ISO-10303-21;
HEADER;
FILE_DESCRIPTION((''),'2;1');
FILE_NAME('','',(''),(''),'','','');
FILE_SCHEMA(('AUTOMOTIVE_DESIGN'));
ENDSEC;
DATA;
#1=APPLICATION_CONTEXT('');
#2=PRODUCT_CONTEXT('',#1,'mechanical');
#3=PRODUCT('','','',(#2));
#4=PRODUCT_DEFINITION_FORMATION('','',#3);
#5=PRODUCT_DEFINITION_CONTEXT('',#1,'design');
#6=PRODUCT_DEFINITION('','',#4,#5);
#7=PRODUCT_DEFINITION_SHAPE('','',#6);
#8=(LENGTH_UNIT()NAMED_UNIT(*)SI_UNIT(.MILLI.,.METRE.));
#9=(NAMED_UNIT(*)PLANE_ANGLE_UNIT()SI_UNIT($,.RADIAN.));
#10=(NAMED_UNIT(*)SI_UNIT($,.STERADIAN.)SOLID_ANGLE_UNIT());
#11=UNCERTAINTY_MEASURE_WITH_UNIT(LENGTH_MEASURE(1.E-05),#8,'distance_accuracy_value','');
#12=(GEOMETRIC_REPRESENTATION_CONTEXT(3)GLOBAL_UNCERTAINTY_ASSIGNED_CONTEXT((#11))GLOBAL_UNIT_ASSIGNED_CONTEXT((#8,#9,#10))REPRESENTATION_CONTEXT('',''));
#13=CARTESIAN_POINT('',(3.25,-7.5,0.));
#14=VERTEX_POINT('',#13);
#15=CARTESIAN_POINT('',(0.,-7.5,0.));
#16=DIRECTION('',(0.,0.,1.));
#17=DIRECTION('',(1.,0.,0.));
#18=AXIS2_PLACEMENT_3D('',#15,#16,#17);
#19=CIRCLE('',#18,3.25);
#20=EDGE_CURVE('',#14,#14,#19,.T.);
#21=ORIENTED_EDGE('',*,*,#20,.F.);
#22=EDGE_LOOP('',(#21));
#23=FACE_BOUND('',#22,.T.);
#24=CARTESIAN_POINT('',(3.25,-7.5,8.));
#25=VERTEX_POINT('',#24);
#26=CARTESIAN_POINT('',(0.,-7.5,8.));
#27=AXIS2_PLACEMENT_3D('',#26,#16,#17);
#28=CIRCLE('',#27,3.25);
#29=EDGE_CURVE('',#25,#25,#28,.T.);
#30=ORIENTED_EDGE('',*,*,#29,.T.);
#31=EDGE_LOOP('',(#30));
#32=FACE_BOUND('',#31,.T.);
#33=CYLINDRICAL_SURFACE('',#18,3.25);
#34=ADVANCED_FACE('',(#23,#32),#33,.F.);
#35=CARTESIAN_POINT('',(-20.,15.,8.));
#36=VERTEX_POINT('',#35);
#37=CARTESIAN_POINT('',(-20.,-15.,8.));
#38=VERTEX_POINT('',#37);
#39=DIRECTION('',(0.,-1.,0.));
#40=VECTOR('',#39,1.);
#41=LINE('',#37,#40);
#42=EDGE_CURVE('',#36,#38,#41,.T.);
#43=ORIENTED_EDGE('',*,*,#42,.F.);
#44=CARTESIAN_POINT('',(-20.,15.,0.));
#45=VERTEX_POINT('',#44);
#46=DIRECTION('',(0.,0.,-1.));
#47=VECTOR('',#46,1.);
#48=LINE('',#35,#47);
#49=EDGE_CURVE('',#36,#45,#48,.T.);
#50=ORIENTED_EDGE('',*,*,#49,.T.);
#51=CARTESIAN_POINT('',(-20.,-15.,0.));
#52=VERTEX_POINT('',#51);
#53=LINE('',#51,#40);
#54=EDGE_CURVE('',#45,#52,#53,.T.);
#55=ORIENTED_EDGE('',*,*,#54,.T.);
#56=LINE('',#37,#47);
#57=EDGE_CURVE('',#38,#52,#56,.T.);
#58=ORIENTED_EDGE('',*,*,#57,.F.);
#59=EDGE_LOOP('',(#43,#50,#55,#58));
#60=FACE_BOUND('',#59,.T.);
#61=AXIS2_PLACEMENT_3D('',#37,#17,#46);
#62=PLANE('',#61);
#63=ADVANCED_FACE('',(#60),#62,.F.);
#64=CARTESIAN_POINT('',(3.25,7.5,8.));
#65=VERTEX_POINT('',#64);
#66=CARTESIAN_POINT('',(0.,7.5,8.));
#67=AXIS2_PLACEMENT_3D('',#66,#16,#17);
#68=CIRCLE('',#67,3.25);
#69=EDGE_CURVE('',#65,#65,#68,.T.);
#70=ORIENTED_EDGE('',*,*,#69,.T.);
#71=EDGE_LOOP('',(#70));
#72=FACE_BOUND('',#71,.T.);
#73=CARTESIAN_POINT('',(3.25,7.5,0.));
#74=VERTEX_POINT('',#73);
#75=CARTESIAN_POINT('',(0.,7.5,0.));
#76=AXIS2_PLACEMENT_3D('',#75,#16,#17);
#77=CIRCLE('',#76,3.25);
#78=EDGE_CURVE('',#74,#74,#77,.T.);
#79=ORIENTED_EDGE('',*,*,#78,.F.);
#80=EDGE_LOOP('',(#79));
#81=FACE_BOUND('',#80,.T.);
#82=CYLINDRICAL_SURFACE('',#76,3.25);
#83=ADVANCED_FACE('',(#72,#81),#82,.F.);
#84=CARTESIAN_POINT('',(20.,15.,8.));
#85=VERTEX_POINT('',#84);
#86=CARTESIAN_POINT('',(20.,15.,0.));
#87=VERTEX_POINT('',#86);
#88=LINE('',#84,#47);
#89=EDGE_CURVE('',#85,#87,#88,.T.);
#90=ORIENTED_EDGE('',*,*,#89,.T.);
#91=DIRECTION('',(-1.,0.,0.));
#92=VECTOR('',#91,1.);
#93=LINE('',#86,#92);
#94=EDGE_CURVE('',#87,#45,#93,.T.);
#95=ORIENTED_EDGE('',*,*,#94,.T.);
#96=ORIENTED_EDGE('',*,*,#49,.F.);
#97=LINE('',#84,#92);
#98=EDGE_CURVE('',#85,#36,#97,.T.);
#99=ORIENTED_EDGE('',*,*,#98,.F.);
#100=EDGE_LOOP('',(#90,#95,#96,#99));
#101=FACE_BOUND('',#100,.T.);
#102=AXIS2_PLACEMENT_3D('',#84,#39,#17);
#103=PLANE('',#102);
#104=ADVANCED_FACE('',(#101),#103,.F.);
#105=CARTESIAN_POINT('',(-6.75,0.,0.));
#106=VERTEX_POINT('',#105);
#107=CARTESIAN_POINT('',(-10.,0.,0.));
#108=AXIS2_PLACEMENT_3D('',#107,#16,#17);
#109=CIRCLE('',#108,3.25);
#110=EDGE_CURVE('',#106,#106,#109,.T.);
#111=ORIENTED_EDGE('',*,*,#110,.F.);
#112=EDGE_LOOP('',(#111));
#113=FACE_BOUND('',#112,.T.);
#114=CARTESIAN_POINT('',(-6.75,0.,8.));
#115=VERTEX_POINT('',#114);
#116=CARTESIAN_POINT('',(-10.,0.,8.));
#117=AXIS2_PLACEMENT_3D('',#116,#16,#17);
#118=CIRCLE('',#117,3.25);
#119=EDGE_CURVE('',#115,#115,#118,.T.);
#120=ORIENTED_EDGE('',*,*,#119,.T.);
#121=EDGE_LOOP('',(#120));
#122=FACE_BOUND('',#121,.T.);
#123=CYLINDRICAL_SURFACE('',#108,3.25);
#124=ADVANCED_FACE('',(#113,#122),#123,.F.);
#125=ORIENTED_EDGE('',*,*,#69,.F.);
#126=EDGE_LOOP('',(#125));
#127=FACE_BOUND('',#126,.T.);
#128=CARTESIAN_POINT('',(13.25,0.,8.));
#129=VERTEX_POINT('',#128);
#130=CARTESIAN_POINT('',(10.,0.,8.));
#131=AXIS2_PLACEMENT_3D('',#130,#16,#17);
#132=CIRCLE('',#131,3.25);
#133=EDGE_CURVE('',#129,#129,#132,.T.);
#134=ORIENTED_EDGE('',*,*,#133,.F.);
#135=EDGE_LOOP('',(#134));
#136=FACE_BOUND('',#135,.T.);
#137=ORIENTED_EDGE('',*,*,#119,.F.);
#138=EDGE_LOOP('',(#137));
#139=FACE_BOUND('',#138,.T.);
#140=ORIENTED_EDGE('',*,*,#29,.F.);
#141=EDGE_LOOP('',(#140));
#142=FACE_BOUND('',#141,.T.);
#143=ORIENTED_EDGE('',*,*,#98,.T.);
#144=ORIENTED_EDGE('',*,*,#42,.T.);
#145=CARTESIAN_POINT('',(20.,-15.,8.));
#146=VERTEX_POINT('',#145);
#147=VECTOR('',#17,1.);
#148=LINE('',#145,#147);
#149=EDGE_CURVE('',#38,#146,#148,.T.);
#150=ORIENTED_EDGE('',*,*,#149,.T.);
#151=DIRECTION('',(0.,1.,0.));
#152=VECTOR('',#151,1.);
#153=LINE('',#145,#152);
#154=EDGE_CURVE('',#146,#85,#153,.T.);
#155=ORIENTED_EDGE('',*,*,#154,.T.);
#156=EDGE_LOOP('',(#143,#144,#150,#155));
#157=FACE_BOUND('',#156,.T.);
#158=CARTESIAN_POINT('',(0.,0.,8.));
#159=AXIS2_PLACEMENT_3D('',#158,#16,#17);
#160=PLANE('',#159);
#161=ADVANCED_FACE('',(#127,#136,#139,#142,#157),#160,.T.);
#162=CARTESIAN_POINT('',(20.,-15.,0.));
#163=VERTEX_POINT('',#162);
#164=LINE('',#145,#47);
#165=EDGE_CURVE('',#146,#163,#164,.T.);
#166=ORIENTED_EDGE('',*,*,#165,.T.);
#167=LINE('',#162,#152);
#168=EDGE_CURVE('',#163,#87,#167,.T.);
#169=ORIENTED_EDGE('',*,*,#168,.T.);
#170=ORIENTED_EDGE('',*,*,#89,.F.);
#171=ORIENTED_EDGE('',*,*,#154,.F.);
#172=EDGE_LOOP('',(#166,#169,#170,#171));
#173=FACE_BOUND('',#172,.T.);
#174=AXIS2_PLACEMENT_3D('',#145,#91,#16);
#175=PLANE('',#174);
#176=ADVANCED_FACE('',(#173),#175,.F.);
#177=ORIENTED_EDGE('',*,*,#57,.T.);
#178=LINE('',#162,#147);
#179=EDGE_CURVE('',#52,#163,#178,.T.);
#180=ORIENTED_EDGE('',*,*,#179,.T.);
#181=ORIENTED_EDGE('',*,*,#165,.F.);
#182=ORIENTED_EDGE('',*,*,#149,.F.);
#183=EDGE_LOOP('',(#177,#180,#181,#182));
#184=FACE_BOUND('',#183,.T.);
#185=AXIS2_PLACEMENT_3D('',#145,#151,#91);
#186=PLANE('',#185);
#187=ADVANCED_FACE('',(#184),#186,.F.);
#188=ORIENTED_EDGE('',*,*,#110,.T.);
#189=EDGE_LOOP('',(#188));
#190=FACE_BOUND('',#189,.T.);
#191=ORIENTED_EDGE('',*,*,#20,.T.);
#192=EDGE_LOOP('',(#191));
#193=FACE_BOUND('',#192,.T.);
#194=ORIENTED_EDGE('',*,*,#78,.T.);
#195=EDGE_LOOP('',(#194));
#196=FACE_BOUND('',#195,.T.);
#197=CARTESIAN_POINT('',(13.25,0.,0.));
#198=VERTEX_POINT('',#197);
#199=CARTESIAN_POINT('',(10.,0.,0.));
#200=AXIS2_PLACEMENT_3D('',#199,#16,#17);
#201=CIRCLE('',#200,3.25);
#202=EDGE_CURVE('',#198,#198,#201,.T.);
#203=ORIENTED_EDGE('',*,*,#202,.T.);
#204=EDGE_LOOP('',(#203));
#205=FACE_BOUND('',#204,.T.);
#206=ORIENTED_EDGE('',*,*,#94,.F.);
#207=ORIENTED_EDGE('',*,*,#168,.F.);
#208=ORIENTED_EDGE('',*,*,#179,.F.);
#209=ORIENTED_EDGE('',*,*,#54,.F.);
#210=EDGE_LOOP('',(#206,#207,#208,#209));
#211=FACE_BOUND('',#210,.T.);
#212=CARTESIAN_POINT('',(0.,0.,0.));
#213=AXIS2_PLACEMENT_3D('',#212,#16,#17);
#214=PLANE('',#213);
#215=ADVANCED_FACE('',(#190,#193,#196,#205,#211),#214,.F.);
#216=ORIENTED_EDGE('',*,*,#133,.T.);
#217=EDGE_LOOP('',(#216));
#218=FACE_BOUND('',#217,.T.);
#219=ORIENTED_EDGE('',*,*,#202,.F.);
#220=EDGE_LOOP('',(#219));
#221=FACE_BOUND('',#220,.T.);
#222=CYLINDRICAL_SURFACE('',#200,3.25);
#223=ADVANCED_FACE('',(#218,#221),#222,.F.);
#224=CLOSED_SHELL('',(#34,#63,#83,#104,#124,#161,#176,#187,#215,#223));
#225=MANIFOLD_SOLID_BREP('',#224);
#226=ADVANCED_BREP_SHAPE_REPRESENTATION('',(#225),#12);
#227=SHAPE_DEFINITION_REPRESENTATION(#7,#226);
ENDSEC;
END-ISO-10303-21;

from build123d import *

# Parameters (mm, degrees)
SKETCH1_W           = 40
SKETCH1_H           = 30
BOSS_EXTRUDE1_DEPTH = 8
SKETCH2_R           = 3.25
CUT_EXTRUDE1_DEPTH  = 27.248809497


with BuildPart() as part:
    # Sketch1 → Boss-Extrude1 (new body)
    with BuildSketch(Plane.XY):
        Rectangle(SKETCH1_W, SKETCH1_H)
    extrude(amount=BOSS_EXTRUDE1_DEPTH)

    # Sketch2 → Cut-Extrude1 (cut, through all)
    with BuildSketch(Plane.XY.offset(8)):
        with Locations((-10, 0)):
            Circle(SKETCH2_R)
        with Locations((10, 0)):
            Circle(SKETCH2_R)
        with Locations((0, 7.5)):
            Circle(SKETCH2_R)
        with Locations((0, -7.5)):
            Circle(SKETCH2_R)
    extrude(amount=-CUT_EXTRUDE1_DEPTH, mode=Mode.SUBTRACT)


solid = part.part
